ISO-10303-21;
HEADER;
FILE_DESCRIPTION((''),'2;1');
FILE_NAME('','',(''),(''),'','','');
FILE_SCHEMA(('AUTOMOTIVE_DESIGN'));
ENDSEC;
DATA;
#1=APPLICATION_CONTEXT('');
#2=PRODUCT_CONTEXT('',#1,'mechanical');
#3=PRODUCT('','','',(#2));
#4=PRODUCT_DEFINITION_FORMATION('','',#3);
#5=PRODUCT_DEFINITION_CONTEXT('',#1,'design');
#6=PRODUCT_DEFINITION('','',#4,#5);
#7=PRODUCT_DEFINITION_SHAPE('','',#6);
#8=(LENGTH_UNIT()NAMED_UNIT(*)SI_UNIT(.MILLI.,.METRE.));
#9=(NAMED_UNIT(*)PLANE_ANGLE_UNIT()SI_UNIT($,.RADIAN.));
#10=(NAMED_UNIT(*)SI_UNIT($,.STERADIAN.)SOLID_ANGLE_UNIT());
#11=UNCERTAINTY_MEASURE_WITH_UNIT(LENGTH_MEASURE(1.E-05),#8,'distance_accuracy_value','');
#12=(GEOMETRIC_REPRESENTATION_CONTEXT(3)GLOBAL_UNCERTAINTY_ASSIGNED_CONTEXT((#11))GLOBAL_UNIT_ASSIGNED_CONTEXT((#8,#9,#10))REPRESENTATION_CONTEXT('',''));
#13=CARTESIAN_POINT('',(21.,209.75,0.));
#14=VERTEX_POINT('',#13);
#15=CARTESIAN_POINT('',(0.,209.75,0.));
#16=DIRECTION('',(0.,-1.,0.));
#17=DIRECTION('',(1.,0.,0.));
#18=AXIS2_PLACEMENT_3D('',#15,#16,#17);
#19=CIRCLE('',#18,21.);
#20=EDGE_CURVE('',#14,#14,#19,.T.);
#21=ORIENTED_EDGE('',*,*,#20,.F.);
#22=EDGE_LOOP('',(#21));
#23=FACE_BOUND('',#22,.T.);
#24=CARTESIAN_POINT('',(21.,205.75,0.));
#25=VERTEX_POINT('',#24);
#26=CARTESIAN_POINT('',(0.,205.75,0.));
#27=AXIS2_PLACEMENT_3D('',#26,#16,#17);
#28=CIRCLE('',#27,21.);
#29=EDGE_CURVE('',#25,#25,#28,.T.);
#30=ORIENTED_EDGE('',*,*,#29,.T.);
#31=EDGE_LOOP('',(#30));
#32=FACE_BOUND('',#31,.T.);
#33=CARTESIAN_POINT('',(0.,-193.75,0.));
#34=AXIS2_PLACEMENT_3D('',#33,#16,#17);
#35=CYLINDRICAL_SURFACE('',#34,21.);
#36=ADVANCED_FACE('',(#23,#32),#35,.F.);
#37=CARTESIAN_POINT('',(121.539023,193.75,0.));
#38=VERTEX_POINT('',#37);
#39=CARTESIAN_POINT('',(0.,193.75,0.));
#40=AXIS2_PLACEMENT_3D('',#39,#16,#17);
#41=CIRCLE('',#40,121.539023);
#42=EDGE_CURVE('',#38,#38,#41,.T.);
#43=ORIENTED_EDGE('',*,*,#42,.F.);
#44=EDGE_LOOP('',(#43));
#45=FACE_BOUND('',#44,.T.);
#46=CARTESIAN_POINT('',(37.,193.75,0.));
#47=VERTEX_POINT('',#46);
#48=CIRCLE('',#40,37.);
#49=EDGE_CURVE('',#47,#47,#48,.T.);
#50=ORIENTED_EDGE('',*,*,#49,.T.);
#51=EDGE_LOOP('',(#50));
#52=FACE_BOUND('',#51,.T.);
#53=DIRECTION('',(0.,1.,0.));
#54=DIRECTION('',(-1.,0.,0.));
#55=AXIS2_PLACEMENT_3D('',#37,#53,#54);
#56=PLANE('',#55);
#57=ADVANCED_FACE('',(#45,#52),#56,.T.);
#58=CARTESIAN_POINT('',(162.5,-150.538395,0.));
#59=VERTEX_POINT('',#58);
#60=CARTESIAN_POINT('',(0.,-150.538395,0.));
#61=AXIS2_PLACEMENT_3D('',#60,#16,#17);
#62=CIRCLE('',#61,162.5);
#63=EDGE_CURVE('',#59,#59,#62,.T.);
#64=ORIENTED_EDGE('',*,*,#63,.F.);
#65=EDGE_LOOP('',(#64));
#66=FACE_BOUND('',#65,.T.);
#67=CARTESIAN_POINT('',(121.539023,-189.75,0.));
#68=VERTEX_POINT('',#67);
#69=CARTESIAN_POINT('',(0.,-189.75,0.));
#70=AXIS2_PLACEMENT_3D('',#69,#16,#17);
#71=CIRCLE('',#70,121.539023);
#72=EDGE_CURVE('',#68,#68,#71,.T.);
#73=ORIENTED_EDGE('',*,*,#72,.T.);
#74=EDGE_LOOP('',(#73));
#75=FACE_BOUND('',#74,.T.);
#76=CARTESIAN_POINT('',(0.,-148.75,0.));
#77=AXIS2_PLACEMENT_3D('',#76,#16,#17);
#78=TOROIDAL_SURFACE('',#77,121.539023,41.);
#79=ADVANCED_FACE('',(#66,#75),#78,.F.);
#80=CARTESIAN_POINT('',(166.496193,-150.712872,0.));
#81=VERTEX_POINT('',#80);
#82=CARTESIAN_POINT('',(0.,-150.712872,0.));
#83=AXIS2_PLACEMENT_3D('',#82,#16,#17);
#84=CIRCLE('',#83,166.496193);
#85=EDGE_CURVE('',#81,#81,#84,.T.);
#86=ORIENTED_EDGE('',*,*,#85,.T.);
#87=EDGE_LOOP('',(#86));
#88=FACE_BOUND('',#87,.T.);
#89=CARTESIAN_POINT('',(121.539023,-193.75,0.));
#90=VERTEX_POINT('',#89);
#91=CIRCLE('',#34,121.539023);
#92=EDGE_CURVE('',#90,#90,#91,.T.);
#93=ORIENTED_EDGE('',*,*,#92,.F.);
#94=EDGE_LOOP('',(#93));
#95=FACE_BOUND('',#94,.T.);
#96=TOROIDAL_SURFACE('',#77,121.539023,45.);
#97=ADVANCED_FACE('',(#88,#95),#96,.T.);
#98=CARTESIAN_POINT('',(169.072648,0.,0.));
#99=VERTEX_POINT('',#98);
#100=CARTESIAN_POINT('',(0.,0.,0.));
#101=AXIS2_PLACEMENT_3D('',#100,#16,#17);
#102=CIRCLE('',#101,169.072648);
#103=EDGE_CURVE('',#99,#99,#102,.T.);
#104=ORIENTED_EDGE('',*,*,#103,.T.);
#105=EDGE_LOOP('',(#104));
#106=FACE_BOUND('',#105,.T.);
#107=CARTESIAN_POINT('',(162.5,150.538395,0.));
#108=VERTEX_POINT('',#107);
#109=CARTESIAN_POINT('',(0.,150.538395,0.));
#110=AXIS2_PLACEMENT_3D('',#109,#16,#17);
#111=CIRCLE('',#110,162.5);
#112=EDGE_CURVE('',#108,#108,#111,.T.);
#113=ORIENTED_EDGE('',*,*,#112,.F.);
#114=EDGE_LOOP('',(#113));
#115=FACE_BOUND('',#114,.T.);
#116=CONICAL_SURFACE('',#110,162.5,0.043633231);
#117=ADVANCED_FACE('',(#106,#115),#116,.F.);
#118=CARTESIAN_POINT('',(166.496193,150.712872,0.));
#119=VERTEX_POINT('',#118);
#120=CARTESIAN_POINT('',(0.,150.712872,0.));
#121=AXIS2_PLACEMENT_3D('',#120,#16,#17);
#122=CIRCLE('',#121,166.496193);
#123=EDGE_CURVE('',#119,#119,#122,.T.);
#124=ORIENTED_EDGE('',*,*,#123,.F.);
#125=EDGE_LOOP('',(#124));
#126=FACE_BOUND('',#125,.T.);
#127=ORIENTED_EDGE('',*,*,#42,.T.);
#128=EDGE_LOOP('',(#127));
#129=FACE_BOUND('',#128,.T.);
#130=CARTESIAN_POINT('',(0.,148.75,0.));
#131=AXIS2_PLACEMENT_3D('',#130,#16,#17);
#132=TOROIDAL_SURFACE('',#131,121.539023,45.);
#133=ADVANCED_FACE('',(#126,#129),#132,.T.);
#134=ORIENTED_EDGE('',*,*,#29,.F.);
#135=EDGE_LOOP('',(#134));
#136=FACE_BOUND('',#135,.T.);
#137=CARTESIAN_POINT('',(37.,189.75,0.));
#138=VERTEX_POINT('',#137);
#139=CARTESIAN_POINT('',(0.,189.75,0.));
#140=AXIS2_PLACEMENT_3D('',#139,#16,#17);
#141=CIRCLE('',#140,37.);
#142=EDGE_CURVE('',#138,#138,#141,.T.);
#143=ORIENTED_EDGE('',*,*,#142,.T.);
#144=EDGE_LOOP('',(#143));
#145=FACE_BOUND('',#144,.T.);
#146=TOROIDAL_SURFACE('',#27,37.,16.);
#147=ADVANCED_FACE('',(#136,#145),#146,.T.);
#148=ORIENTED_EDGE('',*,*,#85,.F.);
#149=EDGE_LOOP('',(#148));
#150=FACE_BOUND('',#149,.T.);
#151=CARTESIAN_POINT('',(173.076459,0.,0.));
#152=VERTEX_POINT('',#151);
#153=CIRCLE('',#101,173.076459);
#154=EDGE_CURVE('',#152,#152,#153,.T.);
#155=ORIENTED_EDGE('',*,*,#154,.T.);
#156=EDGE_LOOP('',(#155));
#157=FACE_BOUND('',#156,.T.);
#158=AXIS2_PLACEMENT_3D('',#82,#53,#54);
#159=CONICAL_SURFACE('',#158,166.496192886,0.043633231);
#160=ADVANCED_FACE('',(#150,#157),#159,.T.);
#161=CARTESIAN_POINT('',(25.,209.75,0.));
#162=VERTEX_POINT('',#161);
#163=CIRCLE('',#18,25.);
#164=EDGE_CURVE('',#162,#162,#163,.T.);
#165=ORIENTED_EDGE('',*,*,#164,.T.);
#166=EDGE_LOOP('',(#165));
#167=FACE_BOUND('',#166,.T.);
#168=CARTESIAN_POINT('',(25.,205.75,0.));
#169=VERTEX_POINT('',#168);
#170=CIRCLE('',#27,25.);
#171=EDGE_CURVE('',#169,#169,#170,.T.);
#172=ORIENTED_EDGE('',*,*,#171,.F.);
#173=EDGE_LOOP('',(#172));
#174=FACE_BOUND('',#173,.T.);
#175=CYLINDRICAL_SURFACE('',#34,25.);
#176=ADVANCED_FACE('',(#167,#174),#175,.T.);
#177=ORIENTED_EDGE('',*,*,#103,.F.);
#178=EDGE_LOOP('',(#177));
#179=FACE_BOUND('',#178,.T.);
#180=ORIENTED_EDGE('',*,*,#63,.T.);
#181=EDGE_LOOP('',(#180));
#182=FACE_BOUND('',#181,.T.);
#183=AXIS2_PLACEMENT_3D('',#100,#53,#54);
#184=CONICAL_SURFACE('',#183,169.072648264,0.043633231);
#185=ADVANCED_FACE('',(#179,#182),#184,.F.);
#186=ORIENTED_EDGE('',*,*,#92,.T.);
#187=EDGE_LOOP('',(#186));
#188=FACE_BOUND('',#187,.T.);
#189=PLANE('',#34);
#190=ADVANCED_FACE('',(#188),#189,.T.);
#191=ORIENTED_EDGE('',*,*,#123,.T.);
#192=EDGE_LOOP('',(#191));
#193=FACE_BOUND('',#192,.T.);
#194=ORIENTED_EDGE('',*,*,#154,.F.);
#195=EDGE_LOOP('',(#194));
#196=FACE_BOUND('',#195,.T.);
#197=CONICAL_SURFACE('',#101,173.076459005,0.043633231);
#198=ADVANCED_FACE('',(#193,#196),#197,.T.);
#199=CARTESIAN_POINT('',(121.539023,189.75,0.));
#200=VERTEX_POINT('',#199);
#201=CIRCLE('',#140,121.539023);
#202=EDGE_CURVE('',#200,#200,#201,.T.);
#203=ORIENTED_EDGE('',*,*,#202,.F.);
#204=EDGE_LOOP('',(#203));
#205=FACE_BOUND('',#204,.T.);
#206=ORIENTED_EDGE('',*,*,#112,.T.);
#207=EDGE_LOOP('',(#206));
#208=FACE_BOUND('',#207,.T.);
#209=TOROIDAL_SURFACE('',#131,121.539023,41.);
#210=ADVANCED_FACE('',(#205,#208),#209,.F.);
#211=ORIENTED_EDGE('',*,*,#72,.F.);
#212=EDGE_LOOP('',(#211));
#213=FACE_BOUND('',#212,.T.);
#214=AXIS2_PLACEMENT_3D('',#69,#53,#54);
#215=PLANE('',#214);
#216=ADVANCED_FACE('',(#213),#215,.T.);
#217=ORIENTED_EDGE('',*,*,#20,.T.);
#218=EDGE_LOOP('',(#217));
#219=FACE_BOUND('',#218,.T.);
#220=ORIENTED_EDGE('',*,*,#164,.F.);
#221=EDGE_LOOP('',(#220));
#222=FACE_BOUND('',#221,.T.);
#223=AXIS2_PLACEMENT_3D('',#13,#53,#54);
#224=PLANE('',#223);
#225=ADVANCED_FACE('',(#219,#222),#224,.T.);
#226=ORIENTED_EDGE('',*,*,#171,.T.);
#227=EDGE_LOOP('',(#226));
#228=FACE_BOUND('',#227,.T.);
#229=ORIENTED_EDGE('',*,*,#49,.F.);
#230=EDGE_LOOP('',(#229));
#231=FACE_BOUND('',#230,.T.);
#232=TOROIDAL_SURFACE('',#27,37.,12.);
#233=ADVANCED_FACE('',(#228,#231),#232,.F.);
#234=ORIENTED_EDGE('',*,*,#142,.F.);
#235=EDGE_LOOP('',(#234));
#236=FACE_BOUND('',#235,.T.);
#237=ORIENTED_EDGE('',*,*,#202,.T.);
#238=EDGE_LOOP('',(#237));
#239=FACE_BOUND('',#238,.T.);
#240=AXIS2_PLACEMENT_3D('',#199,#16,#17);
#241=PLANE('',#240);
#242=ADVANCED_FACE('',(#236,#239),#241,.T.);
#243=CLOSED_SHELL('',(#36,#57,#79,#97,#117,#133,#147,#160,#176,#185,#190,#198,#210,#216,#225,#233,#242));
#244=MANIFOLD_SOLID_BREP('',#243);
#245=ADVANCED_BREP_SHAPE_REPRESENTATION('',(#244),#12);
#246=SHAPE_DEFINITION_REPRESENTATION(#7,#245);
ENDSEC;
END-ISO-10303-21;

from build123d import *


with BuildPart() as part:
    # Sketch1 → Revolve4 (revolve)
    with BuildSketch(Plane.XY):
        with BuildLine():
            Line((0, -193.75), (121.539022915, -193.75))
            ThreePointArc((121.539022915, -193.75), (152.657110425, -181.256378293), (166.496192886, -150.712872431))
            Line((166.496192886, -150.712872431), (173.076459005, 0))
            Line((173.076459005, 0), (166.496192886, 150.712872431))
            ThreePointArc((166.496192886, 150.712872431), (152.657110425, 181.256378293), (121.539022915, 193.75))
            Line((121.539022915, 193.75), (37, 193.75))
            ThreePointArc((37, 193.75), (28.514718626, 197.264718626), (25, 205.75))
            Line((25, 205.75), (25, 209.75))
            Line((25, 209.75), (21, 209.75))
            Line((21, 209.75), (21, 205.75))
            ThreePointArc((21, 205.75), (25.686291501, 194.436291501), (37, 189.75))
            Line((37, 189.75), (121.539022915, 189.75))
            ThreePointArc((121.539022915, 189.75), (149.891058202, 178.366922444), (162.5, 150.538394882))
            Line((162.5, 150.538394882), (169.072648264, 0))
            Line((169.072648264, 0), (162.5, -150.538394882))
            ThreePointArc((162.5, -150.538394882), (149.891058202, -178.366922444), (121.539022915, -189.75))
            Line((121.539022915, -189.75), (0, -189.75))
            Line((0, -189.75), (0, -193.75))
        make_face()
    revolve(axis=Axis((0, -193.75, 0), (0, 1, 0)))


solid = part.part
